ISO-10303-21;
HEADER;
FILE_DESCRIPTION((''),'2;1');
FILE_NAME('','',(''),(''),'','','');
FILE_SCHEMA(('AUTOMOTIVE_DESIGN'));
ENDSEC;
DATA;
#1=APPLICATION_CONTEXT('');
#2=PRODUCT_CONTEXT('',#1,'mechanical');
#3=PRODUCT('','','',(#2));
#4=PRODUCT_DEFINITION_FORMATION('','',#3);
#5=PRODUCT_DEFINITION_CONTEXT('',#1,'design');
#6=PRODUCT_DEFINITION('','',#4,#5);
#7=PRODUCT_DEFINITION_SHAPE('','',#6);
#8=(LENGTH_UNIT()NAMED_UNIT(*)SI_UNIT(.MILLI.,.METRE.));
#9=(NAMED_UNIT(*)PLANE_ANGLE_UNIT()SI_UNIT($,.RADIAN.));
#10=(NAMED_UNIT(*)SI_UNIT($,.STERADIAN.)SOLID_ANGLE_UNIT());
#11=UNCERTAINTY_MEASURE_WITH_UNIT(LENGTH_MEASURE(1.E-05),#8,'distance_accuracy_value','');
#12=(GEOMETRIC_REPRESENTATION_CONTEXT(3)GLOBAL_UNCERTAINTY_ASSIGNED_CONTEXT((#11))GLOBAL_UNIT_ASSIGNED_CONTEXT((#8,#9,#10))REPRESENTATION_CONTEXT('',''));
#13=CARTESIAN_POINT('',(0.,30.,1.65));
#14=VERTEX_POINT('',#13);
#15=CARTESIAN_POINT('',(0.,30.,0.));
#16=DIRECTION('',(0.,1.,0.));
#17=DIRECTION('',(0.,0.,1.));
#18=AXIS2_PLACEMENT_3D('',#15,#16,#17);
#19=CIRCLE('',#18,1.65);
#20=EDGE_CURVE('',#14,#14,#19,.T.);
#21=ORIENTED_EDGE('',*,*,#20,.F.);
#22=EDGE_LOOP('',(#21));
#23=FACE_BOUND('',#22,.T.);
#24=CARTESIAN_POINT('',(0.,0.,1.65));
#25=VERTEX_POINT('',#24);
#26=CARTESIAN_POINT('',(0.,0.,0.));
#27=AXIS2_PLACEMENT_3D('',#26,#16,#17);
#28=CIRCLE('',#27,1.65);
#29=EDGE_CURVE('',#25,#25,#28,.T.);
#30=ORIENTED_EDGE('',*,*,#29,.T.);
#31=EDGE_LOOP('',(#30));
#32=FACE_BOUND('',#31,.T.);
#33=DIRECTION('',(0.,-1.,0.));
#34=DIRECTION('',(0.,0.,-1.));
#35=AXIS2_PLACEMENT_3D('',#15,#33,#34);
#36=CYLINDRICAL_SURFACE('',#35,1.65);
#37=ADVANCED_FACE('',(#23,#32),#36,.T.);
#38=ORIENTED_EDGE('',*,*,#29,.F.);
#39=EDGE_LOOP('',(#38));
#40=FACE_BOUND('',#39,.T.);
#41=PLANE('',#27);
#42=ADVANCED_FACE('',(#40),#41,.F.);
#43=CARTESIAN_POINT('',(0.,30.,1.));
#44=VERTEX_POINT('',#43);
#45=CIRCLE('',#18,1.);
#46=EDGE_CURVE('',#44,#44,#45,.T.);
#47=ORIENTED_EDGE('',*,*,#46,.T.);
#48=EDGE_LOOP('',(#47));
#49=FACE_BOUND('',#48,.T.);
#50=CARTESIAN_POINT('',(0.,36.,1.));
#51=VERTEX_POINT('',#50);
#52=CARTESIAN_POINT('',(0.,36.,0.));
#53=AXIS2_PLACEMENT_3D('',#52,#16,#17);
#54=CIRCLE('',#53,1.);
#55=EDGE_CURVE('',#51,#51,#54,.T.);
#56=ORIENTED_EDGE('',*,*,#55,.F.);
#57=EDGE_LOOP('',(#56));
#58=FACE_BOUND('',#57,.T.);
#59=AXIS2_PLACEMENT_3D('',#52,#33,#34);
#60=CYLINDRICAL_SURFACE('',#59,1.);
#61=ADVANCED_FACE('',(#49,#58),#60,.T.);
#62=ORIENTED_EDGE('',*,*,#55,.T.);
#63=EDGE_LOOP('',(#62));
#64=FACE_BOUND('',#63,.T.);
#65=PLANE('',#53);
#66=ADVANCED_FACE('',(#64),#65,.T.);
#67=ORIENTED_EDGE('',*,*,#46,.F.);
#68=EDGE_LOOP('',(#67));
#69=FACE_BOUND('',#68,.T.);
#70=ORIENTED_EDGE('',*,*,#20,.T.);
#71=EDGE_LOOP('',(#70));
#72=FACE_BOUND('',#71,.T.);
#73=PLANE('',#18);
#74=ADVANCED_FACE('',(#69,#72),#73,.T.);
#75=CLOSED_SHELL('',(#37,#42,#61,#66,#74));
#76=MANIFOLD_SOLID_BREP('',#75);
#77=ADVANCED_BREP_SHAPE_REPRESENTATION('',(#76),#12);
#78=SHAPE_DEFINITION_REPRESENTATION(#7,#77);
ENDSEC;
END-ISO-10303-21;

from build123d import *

# Parameters (mm, degrees)
SKETCH1_R           = 1.65
BOSS_EXTRUDE1_DEPTH = 30
SKETCH2_R           = 1
BOSS_EXTRUDE2_DEPTH = 6


with BuildPart() as part:
    # Sketch1 → Boss-Extrude1 (new body)
    with BuildSketch(Plane(origin=(0, 0, 0), x_dir=(1, 0, 0), z_dir=(0, 1, 0))):
        with Locations(Location((0, 0, 0), (0, 0, 270))):
            Circle(SKETCH1_R)
    extrude(amount=BOSS_EXTRUDE1_DEPTH)

    # Sketch2 → Boss-Extrude2 (add)
    with BuildSketch(Plane(origin=(0, 30, 0), x_dir=(1, 0, 0), z_dir=(0, 1, 0))):
        with Locations(Location((0, 0, 0), (0, 0, 270))):
            Circle(SKETCH2_R)
    extrude(amount=BOSS_EXTRUDE2_DEPTH)


solid = part.part
